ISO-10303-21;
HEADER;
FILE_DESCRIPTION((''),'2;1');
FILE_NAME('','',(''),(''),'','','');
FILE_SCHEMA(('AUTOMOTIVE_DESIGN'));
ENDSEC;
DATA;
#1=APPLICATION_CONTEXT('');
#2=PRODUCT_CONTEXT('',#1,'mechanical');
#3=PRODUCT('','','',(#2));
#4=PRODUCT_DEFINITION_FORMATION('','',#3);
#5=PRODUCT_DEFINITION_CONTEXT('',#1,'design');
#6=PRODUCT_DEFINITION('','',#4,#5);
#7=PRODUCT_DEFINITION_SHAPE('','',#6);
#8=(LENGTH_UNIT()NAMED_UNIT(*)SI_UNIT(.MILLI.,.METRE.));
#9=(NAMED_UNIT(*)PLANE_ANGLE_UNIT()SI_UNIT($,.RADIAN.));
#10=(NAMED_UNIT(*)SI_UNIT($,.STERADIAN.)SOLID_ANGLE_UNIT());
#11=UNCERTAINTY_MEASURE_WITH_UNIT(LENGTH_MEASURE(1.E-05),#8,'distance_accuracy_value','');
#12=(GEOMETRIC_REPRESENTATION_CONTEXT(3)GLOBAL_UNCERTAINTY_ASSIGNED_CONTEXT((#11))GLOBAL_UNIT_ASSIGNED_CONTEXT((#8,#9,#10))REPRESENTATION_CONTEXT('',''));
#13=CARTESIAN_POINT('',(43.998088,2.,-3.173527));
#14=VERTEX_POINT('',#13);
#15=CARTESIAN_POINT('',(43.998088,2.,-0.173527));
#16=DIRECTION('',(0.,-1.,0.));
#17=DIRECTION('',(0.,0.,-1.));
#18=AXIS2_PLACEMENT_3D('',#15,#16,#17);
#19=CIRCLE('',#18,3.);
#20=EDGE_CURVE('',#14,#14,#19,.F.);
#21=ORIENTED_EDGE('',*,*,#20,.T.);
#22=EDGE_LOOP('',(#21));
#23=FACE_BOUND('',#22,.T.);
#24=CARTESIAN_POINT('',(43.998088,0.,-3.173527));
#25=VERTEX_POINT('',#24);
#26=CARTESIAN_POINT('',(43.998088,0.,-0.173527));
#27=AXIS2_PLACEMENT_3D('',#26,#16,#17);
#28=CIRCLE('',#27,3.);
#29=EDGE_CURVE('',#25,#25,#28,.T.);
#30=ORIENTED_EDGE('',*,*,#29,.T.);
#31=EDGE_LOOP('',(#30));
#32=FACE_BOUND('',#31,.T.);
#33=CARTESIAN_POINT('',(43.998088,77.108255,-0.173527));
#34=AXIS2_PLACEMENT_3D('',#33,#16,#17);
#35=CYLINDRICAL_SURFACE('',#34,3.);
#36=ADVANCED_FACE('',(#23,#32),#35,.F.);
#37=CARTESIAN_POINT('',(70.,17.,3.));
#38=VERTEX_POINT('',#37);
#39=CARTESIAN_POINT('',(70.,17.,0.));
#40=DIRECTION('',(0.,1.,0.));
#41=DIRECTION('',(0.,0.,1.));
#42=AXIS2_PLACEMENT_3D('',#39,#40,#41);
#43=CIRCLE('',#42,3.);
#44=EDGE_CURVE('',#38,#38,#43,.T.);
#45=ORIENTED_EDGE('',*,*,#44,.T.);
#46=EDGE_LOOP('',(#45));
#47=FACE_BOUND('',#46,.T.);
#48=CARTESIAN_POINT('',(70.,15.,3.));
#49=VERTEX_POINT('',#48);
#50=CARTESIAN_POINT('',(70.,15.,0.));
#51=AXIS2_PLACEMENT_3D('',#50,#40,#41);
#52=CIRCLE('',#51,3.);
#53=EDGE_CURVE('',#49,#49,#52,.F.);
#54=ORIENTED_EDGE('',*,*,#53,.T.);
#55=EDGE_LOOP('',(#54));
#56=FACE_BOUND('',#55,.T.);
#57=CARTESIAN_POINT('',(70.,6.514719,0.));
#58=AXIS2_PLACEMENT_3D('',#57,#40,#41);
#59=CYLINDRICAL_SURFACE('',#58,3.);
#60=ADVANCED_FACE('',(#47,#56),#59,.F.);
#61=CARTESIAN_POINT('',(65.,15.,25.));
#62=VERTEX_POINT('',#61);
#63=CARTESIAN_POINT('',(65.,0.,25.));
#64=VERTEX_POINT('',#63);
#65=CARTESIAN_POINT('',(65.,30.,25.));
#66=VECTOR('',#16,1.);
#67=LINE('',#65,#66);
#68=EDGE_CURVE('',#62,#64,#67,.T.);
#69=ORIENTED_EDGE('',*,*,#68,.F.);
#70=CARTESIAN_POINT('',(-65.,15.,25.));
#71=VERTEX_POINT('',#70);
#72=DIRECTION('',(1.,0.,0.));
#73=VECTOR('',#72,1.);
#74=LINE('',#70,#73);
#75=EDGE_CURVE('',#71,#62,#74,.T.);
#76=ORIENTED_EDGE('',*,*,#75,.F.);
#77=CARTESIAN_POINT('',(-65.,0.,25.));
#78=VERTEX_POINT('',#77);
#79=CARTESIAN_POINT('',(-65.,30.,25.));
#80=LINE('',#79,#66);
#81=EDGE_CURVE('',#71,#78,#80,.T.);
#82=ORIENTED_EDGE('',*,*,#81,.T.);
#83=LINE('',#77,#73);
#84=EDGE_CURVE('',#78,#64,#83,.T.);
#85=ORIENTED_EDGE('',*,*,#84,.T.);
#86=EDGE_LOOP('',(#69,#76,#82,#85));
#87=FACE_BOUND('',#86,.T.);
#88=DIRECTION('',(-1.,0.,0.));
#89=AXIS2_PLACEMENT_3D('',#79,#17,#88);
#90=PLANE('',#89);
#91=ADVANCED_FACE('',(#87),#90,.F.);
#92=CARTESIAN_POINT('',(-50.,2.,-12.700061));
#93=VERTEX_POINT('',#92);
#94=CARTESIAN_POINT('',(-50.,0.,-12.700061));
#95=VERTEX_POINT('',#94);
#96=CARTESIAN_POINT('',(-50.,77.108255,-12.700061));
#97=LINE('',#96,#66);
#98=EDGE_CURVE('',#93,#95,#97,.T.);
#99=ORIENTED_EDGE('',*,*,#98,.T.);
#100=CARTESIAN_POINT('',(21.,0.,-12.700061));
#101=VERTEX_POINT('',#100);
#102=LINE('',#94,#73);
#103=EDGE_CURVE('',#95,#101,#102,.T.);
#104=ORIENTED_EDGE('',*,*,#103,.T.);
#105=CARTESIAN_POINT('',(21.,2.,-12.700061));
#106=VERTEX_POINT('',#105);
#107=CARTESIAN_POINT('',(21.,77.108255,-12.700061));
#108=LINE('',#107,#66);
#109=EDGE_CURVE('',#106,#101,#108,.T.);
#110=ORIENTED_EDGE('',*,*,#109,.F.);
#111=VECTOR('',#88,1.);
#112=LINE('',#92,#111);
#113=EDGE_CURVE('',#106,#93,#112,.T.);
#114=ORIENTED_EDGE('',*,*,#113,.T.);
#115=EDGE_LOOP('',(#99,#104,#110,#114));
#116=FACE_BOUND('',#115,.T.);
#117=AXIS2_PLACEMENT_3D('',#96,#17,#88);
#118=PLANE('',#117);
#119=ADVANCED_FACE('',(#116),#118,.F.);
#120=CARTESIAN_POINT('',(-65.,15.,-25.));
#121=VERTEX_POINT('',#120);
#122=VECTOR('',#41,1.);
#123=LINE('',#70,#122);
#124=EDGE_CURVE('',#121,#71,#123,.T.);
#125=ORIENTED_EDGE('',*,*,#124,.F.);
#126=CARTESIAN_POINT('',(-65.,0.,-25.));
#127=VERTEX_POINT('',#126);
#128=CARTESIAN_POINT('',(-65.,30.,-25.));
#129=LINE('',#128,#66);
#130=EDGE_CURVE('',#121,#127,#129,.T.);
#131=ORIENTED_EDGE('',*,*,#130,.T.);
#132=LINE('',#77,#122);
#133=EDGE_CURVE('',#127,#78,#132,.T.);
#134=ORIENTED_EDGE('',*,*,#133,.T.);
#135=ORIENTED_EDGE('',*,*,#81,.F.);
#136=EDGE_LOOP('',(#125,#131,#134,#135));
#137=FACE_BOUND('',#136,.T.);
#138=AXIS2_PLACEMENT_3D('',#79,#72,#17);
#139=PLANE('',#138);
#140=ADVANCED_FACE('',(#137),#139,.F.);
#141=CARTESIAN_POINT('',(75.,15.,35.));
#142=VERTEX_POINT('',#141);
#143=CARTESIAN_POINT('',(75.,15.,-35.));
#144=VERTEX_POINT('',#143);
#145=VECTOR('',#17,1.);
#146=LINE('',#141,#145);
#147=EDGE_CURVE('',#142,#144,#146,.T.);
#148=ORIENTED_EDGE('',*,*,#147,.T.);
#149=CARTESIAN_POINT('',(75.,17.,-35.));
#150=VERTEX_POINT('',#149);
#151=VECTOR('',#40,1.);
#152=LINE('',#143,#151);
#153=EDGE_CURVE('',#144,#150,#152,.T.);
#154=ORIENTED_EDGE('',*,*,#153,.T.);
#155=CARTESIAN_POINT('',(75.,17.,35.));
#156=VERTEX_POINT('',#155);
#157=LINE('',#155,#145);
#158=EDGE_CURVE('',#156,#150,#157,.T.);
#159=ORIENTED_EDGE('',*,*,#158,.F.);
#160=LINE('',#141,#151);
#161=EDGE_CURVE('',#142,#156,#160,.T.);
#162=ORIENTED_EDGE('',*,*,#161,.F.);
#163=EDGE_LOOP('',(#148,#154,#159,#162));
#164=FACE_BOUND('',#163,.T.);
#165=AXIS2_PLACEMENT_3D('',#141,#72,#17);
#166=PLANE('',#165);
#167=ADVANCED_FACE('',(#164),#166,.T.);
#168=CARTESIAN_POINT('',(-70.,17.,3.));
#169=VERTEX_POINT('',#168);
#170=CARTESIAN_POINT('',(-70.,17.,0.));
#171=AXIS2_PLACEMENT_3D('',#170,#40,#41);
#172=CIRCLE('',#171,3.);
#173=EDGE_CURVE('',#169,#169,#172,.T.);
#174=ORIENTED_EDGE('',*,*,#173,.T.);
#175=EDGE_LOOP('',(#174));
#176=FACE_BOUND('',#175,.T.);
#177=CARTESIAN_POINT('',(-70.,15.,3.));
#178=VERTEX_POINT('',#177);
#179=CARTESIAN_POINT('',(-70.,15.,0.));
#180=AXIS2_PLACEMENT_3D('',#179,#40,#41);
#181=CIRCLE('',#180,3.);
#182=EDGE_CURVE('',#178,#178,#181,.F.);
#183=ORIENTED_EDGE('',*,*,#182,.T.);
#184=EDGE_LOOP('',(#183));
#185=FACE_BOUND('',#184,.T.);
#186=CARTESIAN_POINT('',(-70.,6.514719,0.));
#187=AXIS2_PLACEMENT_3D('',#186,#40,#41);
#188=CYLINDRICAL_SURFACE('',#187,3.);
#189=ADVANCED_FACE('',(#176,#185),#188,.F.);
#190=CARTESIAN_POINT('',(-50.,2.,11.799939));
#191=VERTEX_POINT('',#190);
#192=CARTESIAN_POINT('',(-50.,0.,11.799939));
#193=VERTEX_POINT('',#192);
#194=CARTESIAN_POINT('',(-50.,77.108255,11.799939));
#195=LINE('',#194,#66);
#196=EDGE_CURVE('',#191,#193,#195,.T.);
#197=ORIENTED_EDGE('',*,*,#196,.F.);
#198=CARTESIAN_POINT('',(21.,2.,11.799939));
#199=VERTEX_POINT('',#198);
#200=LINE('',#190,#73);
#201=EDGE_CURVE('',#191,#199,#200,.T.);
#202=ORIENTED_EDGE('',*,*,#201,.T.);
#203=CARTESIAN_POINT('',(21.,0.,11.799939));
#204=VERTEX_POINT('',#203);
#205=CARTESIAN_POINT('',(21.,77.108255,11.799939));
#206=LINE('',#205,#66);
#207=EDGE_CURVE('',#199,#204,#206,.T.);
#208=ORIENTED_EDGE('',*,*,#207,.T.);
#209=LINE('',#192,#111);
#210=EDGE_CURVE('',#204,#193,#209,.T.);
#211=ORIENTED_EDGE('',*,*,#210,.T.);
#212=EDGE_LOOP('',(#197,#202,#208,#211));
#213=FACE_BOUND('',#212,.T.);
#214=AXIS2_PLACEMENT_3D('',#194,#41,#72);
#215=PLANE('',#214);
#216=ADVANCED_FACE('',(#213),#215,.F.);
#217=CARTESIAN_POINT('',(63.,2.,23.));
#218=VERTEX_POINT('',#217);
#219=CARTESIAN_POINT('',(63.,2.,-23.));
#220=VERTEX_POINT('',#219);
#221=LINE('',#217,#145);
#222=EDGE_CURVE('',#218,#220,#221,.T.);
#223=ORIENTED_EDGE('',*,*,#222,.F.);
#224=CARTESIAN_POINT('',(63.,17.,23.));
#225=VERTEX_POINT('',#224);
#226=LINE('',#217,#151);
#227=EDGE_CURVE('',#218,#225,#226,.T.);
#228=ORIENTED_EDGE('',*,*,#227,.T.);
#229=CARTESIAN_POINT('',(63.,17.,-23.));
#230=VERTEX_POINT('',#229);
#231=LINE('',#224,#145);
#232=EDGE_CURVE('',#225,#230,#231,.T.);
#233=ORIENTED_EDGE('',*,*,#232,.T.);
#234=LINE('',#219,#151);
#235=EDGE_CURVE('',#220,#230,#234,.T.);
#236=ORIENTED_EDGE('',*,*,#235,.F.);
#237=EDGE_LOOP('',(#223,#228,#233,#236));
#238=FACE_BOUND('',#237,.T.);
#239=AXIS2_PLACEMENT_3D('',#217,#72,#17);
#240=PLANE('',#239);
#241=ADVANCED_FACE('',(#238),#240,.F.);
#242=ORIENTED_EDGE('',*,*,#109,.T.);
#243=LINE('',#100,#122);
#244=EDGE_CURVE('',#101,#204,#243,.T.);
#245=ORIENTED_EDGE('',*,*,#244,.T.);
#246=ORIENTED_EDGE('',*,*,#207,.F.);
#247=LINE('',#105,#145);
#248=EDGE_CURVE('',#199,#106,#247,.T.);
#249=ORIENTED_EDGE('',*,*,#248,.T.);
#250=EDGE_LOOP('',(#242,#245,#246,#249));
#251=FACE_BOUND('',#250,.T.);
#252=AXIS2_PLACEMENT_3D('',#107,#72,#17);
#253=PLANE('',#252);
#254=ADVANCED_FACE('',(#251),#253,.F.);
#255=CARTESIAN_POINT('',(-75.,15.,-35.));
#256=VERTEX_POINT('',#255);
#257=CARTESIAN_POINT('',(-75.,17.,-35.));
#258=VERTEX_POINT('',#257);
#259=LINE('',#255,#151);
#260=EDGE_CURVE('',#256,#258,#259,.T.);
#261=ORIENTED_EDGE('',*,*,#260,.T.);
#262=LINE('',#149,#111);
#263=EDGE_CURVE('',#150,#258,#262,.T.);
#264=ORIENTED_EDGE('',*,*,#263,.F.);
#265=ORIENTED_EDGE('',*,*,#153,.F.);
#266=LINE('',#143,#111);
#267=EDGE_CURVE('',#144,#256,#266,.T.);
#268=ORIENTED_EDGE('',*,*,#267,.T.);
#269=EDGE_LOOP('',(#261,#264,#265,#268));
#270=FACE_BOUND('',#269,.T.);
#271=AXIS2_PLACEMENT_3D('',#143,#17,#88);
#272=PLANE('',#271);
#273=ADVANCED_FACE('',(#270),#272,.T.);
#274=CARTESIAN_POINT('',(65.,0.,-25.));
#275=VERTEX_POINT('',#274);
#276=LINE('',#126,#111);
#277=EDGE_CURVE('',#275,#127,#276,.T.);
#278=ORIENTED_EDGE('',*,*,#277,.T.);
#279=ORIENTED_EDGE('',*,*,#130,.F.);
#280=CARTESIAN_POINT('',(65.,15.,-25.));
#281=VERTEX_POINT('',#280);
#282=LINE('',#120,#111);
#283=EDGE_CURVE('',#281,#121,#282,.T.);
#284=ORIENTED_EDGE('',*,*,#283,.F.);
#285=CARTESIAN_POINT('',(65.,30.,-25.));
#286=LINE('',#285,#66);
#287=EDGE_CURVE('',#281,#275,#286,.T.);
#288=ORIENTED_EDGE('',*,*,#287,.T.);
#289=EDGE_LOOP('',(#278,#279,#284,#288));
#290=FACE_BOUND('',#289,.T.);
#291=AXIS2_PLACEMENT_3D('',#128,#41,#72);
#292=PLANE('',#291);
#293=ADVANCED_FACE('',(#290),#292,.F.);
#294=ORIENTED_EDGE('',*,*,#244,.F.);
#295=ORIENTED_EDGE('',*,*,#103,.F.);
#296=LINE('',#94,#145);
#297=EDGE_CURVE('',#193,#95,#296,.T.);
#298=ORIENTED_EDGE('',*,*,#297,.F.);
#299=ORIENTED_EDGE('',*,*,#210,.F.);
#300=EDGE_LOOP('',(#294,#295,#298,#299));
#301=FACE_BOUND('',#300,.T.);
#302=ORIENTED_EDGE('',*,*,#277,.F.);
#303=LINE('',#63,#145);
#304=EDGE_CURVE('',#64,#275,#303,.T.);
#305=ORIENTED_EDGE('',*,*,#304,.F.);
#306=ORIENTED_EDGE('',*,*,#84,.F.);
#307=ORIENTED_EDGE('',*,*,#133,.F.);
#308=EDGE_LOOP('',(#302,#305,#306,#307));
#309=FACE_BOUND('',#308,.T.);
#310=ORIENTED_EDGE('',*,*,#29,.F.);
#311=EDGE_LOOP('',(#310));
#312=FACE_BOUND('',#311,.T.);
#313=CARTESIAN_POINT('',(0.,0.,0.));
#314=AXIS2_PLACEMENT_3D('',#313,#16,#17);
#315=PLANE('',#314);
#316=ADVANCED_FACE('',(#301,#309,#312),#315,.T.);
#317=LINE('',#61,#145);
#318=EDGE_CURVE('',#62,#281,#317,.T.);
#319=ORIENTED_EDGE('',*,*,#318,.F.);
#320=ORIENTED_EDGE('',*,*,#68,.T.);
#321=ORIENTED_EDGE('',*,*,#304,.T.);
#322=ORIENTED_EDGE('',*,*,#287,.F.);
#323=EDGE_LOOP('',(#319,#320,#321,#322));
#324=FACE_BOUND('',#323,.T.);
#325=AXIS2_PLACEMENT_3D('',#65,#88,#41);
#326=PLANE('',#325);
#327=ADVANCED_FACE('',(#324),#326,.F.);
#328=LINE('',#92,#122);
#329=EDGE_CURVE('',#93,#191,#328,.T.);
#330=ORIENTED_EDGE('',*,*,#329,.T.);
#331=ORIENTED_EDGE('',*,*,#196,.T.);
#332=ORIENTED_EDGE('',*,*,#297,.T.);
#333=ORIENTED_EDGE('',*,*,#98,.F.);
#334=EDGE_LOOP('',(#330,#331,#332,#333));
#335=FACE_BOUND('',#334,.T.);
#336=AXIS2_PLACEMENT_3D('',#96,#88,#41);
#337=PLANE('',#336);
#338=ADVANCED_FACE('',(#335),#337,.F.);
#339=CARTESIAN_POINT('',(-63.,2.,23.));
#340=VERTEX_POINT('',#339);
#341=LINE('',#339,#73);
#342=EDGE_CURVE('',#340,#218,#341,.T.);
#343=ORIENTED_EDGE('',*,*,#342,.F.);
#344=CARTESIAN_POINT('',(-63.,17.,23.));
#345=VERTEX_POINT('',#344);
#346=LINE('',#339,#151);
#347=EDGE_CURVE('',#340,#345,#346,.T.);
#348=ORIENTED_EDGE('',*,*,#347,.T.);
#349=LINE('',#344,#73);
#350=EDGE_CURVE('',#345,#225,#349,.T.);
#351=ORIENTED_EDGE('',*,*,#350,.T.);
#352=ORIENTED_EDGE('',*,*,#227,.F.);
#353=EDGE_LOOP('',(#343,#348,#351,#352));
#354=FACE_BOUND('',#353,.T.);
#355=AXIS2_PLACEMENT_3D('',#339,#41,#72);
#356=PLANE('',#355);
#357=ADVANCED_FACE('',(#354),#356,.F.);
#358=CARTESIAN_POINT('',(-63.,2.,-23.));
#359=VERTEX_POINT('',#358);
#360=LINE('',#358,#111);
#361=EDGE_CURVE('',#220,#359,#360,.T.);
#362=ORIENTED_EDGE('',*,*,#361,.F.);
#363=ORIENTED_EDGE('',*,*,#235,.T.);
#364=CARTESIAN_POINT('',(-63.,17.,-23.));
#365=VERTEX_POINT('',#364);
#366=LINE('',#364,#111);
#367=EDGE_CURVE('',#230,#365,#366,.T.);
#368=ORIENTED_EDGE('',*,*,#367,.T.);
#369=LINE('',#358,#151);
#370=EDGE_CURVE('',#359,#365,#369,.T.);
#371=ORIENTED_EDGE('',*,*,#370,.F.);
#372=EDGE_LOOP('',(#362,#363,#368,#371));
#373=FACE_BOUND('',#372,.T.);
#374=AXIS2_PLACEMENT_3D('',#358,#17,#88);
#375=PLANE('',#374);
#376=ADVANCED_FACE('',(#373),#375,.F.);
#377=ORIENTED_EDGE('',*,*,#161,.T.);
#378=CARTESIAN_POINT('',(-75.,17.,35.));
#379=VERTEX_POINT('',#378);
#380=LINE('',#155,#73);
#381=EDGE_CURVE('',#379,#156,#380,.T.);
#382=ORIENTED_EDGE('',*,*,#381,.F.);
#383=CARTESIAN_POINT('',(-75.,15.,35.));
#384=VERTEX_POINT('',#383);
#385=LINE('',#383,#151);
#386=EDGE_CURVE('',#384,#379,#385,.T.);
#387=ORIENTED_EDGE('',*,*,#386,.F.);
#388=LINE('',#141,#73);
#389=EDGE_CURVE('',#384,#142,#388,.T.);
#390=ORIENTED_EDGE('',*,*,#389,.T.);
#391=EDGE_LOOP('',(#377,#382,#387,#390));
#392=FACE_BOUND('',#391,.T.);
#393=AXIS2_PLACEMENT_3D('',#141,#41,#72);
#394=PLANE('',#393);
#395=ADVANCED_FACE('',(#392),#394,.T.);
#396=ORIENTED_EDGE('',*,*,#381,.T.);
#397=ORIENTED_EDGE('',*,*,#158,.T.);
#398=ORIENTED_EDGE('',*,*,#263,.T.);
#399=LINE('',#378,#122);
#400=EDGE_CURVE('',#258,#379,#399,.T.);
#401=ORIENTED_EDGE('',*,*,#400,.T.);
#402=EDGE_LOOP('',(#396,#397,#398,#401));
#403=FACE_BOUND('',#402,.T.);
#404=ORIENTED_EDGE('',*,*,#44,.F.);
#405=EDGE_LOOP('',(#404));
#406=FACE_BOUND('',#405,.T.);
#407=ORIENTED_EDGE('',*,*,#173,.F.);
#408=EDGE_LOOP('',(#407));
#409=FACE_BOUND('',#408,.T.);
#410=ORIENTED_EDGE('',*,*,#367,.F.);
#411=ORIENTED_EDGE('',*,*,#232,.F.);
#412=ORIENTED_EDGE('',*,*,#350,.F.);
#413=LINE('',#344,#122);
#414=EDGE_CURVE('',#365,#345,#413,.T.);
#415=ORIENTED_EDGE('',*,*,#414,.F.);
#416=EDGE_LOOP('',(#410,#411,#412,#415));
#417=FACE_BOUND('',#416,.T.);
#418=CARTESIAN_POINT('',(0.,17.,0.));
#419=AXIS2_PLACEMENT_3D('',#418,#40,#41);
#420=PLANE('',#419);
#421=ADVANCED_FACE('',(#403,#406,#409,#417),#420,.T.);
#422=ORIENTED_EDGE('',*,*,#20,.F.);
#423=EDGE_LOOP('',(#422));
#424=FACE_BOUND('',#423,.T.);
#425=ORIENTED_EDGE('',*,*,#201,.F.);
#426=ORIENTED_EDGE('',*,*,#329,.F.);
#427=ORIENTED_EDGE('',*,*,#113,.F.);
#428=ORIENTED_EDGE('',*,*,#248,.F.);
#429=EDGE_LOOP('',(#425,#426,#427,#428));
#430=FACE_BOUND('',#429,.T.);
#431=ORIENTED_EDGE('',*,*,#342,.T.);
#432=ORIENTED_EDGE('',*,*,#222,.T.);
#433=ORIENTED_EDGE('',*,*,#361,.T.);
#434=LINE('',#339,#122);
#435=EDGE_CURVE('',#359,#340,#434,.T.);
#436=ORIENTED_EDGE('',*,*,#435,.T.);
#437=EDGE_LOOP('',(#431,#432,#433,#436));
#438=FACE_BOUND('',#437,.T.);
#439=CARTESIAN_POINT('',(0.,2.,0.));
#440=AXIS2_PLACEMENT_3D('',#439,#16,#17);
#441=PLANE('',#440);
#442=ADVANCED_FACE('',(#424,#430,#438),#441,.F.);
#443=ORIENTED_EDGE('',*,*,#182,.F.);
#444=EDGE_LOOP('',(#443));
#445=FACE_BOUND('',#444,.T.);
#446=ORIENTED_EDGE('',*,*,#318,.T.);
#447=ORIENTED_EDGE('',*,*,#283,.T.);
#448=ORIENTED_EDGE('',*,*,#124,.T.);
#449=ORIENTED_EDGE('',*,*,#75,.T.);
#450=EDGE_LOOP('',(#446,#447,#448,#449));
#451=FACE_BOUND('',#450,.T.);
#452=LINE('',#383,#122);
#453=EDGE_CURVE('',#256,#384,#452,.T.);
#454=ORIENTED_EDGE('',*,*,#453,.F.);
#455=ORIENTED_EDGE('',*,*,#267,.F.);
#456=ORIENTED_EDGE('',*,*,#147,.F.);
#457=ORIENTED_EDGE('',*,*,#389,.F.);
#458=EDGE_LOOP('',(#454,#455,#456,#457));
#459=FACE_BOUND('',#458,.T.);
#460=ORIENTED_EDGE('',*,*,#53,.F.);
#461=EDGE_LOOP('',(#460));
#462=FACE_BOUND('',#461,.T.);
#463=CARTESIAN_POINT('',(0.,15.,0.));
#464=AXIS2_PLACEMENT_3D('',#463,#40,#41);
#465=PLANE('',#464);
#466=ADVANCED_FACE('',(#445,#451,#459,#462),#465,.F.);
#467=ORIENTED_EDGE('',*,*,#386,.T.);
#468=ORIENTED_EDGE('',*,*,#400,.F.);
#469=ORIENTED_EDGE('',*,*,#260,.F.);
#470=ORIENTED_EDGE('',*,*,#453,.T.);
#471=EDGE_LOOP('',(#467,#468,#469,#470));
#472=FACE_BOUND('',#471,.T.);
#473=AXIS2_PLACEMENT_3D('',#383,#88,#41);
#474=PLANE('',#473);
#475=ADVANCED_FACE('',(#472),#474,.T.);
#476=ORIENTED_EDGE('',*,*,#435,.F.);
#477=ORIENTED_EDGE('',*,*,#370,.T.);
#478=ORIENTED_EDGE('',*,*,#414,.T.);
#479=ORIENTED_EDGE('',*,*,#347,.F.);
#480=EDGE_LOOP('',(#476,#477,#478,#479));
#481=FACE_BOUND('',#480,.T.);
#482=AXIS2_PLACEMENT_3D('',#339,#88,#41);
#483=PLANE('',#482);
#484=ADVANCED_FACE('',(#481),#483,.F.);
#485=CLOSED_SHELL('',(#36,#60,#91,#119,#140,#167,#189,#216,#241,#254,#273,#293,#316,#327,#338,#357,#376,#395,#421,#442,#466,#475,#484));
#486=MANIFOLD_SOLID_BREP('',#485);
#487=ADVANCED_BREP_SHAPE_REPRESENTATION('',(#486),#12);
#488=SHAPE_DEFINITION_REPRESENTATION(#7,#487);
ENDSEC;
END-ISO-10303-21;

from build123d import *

# Parameters (mm, degrees)
CROQUIS1_W              = 130
CROQUIS1_H              = 50
SALIENTE_EXTRUIR1_DEPTH = 30
CROQUIS2_W              = 126
CROQUIS2_H              = 46
CORTAR_EXTRUIR1_DEPTH   = 28
CROQUIS3_R              = 3
CROQUIS3_W              = 70.999999967
CROQUIS3_H              = 24.5
CORTAR_EXTRUIR2_DEPTH   = 2
CROQUIS9_W              = 150
CROQUIS9_H              = 70
CROQUIS9_W_2            = 130
CROQUIS9_H_2            = 50
SALIENTE_EXTRUIR3_DEPTH = 15
CROQUIS9_2_W            = 150
CROQUIS9_2_H            = 70
CROQUIS9_2_W_2          = 130
CROQUIS9_2_H_2          = 50
CORTAR_EXTRUIR5_DEPTH   = 13
CROQUIS11_R             = 3
CORTAR_EXTRUIR6_DEPTH   = 2
CROQUIS12_W             = 50
CROQUIS12_H             = 13
CORTAR_EXTRUIR7_DEPTH   = 130


with BuildPart() as part:
    # Croquis1 → Saliente-Extruir1 (new body)
    with BuildSketch(Plane(origin=(0, 0, 0), x_dir=(1, 0, 0), z_dir=(0, 1, 0))):
        Rectangle(CROQUIS1_W, CROQUIS1_H)
    extrude(amount=SALIENTE_EXTRUIR1_DEPTH)

    # Croquis2 → Cortar-Extruir1 (cut)
    with BuildSketch(Plane(origin=(0, 30, 0), x_dir=(1, 0, 0), z_dir=(0, 1, 0))):
        Rectangle(CROQUIS2_W, CROQUIS2_H)
    extrude(amount=-CORTAR_EXTRUIR1_DEPTH, mode=Mode.SUBTRACT)

    # Croquis3 → Cortar-Extruir2 (cut)
    with BuildSketch(Plane.XZ):
        with Locations(Location((43.9980881, -0.173527089, 0), (0, 0, 270))):
            Circle(CROQUIS3_R)
        with Locations((-14.500000016, -0.45006101)):
            Rectangle(CROQUIS3_W, CROQUIS3_H)
    extrude(amount=-CORTAR_EXTRUIR2_DEPTH, mode=Mode.SUBTRACT)

    # Croquis9 → Saliente-Extruir3 (add)
    with BuildSketch(Plane(origin=(0, 30, 0), x_dir=(1, 0, 0), z_dir=(0, 1, 0))):
        Rectangle(CROQUIS9_W, CROQUIS9_H)
        Rectangle(CROQUIS9_W_2, CROQUIS9_H_2, mode=Mode.SUBTRACT)
    extrude(amount=-SALIENTE_EXTRUIR3_DEPTH)

    # Croquis9<2> → Cortar-Extruir5 (cut)
    with BuildSketch(Plane(origin=(0, 30, 0), x_dir=(1, 0, 0), z_dir=(0, 1, 0))):
        Rectangle(CROQUIS9_2_W, CROQUIS9_2_H)
        Rectangle(CROQUIS9_2_W_2, CROQUIS9_2_H_2, mode=Mode.SUBTRACT)
    extrude(amount=-CORTAR_EXTRUIR5_DEPTH, mode=Mode.SUBTRACT)

    # Croquis11 → Cortar-Extruir6 (cut)
    with BuildSketch(Plane(origin=(0, 17, 0), x_dir=(1, 0, 0), z_dir=(0, 1, 0))):
        with Locations(Location((-70, 0, 0), (0, 0, 270))):
            Circle(CROQUIS11_R)
        with Locations(Location((70, 0, 0), (0, 0, 270))):
            Circle(CROQUIS11_R)
    extrude(amount=-CORTAR_EXTRUIR6_DEPTH, mode=Mode.SUBTRACT)

    # Croquis12 → Cortar-Extruir7 (cut)
    with BuildSketch(Plane.ZY.offset(65)):
        with Locations((0, 23.5)):
            Rectangle(CROQUIS12_W, CROQUIS12_H)
    extrude(amount=-CORTAR_EXTRUIR7_DEPTH, mode=Mode.SUBTRACT)


solid = part.part
